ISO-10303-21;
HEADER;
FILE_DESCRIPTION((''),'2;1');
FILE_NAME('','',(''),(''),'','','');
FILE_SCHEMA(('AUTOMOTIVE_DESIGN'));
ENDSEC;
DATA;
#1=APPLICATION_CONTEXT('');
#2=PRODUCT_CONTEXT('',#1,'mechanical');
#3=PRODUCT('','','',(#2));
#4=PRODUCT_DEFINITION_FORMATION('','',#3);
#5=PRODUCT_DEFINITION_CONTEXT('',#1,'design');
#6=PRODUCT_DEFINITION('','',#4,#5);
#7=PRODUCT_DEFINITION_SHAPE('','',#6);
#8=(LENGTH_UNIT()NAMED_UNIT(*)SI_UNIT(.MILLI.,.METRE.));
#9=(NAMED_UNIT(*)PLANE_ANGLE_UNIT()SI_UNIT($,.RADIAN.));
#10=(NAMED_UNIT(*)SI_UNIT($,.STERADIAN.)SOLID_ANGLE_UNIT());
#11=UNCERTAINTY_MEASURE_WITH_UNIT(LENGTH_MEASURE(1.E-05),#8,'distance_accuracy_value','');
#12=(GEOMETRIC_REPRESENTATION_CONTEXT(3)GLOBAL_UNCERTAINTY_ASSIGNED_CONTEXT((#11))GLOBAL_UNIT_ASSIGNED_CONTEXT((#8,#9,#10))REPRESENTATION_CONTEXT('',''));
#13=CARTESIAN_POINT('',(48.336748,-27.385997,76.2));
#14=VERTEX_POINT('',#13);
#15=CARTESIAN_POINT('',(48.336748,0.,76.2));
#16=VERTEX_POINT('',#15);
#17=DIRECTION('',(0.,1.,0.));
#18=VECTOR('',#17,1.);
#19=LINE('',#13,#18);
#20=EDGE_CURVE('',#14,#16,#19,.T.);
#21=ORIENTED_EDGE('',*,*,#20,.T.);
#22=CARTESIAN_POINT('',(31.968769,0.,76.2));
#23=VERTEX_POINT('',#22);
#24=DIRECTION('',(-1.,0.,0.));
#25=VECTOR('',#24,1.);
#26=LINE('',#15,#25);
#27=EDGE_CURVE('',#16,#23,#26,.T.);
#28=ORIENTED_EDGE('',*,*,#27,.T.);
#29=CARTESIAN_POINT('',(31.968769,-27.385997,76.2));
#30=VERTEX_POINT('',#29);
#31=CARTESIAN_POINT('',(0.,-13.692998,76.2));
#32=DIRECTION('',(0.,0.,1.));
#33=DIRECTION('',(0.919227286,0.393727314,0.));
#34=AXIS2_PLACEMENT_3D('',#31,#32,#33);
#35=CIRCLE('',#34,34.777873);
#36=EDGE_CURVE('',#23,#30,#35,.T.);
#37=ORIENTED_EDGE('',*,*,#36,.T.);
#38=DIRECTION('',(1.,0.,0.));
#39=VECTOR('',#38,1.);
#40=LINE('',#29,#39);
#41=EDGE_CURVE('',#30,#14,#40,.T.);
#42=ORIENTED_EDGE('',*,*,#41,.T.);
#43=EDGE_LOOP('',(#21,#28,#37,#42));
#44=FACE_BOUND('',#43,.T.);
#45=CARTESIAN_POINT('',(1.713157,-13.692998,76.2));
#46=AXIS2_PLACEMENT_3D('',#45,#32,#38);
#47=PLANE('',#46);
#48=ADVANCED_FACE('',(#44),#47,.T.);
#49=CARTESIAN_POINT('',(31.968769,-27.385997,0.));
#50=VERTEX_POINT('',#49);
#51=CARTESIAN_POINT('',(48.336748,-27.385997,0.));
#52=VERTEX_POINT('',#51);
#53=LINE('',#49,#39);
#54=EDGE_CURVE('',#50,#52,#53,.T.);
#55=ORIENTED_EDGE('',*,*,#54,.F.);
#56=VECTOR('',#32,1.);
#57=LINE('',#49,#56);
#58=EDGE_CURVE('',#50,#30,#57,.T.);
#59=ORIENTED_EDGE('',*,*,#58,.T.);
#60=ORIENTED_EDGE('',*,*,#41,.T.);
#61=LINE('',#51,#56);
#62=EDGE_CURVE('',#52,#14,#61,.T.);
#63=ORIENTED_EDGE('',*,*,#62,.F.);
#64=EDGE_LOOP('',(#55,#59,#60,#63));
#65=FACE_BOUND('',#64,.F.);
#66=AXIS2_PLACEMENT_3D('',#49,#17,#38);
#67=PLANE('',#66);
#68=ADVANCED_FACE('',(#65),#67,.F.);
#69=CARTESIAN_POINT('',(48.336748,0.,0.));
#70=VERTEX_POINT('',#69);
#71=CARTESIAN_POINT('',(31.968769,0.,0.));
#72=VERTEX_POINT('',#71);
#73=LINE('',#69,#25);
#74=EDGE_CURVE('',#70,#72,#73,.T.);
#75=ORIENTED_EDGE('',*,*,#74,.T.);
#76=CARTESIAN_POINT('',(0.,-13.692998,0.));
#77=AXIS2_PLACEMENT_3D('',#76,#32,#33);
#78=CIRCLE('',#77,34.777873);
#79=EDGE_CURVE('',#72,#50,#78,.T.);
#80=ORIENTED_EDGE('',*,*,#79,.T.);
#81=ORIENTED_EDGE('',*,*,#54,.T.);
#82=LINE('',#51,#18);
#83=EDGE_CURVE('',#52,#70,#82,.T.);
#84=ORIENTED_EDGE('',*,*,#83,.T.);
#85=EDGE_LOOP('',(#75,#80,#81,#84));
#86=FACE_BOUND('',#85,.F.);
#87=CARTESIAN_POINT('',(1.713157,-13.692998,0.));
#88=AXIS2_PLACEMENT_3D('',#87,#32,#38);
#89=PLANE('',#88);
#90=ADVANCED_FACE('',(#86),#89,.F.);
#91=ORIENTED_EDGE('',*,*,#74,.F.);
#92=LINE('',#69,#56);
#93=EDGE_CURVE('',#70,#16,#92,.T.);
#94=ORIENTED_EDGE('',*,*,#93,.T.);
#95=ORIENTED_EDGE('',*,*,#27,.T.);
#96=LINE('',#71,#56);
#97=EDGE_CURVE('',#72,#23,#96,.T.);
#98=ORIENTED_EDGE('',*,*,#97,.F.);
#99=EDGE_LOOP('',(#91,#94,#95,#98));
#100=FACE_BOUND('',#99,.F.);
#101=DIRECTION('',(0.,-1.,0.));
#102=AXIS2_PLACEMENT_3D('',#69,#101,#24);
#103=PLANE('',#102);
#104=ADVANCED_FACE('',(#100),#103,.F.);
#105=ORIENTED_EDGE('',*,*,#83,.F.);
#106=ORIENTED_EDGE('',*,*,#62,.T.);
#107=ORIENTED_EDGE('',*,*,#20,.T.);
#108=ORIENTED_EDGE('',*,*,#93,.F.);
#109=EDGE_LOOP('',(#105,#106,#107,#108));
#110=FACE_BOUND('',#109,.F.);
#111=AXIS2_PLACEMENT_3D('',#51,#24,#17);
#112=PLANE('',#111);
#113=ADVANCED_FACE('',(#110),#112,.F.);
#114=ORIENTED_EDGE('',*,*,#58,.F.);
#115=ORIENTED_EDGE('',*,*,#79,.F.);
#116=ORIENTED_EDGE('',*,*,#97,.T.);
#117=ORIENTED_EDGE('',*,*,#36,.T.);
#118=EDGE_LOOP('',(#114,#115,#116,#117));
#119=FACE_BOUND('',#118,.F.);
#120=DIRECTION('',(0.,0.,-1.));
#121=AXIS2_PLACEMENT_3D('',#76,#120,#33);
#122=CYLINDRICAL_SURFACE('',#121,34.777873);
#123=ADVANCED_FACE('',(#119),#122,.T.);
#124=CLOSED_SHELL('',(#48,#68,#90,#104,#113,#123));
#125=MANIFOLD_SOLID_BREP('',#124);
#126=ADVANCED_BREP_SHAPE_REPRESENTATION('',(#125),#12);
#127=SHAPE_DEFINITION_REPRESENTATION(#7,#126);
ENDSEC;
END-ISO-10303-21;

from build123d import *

# Parameters (mm, degrees)
F1_DEPTH = 76.2
F3_DEPTH = 25.4


with BuildPart() as f1:
    # F0 (on Top) → F1 (new body)
    with BuildSketch(Plane.XY):
        with BuildLine():
            Line((0, -27.3859966546), (0, 0))
            Line((0, 0), (31.9687693778, 0))
            ThreePointArc((31.9687693778, 0), (-34.7778725445, -13.6929983273), (31.9687693778, -27.3859966546))
            Line((31.9687693778, -27.3859966546), (0, -27.3859966546))
        make_face()
        with BuildLine():
            Line((31.9687693778, 0), (0, 0))
            Line((0, 0), (0, -27.3859966546))
            Line((0, -27.3859966546), (31.9687693778, -27.3859966546))
            ThreePointArc((31.9687693778, -27.3859966546), (34.0683592616, -20.6820838146), (34.7778725445, -13.6929983273))
            ThreePointArc((34.7778725445, -13.6929983273), (34.0683592616, -6.7039128401), (31.9687693778, 0))
        make_face()
        with BuildLine():
            Line((48.3367480338, 0), (31.9687693778, 0))
            ThreePointArc((31.9687693778, 0), (34.0683592616, -6.7039128401), (34.7778725445, -13.6929983273))
            ThreePointArc((34.7778725445, -13.6929983273), (34.0683592616, -20.6820838146), (31.9687693778, -27.3859966546))
            Line((31.9687693778, -27.3859966546), (48.3367480338, -27.3859966546))
            Line((48.3367480338, -27.3859966546), (48.3367480338, 0))
        make_face()
    extrude(amount=F1_DEPTH)

    # F2 (on face) → F3 (join)
    with BuildSketch(Plane.XY.offset(76.2)):
        with BuildLine():
            Line((38.9387477189, -17.9879963398), (38.9387477189, -9.3980003148))
            Line((38.9387477189, -9.3980003148), (25.0138143127, -9.3980003148))
            ThreePointArc((25.0138143127, -9.3980003148), (-25.3798722297, -13.6929983273), (25.0138143127, -17.9879963398))
            Line((25.0138143127, -17.9879963398), (38.9387477189, -17.9879963398))
        make_face()
    extrude(amount=-F3_DEPTH)


solid = f1.part
